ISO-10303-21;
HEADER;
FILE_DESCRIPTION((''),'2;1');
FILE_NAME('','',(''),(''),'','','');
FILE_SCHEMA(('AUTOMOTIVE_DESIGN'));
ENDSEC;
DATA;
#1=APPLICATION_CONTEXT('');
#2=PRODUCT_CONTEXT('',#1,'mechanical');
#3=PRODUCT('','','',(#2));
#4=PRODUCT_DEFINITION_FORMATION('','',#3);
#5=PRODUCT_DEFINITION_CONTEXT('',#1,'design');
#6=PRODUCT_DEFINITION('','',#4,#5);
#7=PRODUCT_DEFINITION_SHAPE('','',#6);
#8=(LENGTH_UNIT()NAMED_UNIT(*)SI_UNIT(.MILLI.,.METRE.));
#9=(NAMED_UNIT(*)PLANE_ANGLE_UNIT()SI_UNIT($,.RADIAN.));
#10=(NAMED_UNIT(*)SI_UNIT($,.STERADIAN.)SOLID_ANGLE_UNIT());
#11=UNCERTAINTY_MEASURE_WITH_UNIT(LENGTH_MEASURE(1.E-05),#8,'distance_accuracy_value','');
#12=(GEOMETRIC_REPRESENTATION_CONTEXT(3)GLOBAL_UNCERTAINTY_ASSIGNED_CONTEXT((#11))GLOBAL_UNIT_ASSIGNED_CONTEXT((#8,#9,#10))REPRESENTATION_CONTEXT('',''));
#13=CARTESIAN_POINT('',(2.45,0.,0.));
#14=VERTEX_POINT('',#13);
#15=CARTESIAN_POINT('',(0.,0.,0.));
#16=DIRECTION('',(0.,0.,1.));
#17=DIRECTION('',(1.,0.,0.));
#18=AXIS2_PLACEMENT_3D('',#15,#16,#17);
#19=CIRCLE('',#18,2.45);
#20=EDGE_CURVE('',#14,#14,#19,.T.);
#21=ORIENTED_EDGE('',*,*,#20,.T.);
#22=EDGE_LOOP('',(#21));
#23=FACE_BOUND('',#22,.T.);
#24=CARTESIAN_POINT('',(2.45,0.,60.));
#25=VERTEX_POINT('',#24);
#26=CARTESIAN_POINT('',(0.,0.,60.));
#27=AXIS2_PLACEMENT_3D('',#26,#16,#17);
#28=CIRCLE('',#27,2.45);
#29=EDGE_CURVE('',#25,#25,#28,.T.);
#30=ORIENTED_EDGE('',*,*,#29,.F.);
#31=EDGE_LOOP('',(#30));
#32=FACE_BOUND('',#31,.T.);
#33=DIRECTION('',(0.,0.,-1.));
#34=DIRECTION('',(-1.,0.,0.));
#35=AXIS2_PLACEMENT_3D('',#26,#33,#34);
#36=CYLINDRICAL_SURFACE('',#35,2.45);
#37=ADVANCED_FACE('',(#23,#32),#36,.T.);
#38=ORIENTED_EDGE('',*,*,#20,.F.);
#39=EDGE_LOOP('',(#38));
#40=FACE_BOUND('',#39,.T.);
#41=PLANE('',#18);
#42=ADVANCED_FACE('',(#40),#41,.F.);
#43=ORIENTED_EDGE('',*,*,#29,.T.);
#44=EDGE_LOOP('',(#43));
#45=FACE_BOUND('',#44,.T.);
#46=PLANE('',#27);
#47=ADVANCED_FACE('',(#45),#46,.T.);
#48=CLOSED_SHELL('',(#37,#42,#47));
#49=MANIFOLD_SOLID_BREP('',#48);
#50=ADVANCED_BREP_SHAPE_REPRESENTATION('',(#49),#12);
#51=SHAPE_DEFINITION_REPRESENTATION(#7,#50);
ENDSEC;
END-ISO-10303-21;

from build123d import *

# Parameters (mm, degrees)
SKETCH1_R           = 2.45
BOSS_EXTRUDE1_DEPTH = 60


with BuildPart() as part:
    # Sketch1 → Boss-Extrude1 (new body)
    with BuildSketch(Plane.XY):
        Circle(SKETCH1_R)
    extrude(amount=BOSS_EXTRUDE1_DEPTH)


solid = part.part
